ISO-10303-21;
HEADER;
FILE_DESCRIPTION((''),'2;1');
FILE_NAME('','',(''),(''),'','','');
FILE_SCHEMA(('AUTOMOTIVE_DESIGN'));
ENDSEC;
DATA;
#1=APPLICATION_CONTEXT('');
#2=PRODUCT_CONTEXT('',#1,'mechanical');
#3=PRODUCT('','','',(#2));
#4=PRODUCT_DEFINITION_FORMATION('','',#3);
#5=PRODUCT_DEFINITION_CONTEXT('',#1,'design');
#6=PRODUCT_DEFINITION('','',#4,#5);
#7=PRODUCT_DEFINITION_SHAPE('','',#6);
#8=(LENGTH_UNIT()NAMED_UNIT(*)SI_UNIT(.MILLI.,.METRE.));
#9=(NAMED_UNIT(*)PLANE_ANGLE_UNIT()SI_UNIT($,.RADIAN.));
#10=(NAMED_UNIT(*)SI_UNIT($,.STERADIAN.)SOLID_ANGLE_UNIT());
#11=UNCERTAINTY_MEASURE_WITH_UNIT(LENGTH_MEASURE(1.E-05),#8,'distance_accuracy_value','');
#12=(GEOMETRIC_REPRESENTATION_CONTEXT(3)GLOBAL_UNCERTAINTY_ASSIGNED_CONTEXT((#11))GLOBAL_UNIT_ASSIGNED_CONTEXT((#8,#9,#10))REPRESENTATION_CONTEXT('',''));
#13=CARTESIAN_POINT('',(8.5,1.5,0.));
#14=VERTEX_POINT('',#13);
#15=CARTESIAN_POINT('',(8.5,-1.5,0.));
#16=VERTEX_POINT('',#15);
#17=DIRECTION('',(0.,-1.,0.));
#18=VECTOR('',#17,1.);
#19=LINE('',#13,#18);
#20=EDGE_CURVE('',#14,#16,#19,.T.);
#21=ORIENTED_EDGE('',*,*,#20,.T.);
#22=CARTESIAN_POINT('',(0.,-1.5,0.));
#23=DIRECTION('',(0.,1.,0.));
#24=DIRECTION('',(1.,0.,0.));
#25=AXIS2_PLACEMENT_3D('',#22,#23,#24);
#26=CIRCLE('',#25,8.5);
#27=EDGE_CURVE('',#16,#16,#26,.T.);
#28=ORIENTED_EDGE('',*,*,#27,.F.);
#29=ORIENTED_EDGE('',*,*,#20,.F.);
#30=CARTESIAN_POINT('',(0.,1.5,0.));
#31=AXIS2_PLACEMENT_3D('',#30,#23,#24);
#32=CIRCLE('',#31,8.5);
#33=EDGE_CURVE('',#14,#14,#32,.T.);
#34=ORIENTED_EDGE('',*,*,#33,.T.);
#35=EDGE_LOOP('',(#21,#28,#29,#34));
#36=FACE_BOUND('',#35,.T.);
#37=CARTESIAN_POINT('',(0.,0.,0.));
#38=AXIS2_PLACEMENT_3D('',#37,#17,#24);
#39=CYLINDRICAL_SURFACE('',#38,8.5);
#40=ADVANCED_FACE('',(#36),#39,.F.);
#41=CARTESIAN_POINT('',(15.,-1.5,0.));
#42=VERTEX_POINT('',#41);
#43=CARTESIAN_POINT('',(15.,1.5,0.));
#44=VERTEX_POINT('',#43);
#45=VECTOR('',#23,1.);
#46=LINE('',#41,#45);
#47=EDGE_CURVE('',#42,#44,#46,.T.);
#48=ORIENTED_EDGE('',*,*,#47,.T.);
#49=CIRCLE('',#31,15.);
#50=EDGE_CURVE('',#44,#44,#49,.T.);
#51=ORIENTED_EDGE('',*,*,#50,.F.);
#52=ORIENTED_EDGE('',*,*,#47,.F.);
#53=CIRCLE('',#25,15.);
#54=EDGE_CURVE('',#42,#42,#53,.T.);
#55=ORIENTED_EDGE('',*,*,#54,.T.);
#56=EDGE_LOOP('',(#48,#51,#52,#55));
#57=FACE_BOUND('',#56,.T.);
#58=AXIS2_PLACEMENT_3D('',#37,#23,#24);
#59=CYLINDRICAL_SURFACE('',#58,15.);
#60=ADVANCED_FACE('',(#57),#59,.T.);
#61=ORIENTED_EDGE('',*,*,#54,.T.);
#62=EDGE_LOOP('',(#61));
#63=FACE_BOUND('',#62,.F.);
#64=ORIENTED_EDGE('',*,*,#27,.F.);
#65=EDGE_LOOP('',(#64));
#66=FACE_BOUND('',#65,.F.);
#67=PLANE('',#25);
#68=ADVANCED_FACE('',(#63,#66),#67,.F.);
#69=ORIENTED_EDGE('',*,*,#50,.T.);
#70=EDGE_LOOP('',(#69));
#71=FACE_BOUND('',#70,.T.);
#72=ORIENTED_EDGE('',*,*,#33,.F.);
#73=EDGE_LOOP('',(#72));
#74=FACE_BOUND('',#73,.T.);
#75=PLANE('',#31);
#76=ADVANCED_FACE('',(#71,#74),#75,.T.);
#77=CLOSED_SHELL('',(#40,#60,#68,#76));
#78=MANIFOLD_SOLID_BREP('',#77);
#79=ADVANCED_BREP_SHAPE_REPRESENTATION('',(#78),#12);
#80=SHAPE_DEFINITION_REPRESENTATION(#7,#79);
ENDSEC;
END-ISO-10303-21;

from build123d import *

# Parameters (mm, degrees)
SKETCH1_R           = 15
SKETCH1_R_2         = 8.5
BOSS_EXTRUDE1_DEPTH = 1.5


with BuildPart() as part:
    # Sketch1 → Boss-Extrude1 (new body, symmetric)
    with BuildSketch(Plane(origin=(0, 0, 0), x_dir=(1, 0, 0), z_dir=(0, 1, 0))):
        Circle(SKETCH1_R)
        Circle(SKETCH1_R_2, mode=Mode.SUBTRACT)
    extrude(amount=BOSS_EXTRUDE1_DEPTH, both=True)


solid = part.part
